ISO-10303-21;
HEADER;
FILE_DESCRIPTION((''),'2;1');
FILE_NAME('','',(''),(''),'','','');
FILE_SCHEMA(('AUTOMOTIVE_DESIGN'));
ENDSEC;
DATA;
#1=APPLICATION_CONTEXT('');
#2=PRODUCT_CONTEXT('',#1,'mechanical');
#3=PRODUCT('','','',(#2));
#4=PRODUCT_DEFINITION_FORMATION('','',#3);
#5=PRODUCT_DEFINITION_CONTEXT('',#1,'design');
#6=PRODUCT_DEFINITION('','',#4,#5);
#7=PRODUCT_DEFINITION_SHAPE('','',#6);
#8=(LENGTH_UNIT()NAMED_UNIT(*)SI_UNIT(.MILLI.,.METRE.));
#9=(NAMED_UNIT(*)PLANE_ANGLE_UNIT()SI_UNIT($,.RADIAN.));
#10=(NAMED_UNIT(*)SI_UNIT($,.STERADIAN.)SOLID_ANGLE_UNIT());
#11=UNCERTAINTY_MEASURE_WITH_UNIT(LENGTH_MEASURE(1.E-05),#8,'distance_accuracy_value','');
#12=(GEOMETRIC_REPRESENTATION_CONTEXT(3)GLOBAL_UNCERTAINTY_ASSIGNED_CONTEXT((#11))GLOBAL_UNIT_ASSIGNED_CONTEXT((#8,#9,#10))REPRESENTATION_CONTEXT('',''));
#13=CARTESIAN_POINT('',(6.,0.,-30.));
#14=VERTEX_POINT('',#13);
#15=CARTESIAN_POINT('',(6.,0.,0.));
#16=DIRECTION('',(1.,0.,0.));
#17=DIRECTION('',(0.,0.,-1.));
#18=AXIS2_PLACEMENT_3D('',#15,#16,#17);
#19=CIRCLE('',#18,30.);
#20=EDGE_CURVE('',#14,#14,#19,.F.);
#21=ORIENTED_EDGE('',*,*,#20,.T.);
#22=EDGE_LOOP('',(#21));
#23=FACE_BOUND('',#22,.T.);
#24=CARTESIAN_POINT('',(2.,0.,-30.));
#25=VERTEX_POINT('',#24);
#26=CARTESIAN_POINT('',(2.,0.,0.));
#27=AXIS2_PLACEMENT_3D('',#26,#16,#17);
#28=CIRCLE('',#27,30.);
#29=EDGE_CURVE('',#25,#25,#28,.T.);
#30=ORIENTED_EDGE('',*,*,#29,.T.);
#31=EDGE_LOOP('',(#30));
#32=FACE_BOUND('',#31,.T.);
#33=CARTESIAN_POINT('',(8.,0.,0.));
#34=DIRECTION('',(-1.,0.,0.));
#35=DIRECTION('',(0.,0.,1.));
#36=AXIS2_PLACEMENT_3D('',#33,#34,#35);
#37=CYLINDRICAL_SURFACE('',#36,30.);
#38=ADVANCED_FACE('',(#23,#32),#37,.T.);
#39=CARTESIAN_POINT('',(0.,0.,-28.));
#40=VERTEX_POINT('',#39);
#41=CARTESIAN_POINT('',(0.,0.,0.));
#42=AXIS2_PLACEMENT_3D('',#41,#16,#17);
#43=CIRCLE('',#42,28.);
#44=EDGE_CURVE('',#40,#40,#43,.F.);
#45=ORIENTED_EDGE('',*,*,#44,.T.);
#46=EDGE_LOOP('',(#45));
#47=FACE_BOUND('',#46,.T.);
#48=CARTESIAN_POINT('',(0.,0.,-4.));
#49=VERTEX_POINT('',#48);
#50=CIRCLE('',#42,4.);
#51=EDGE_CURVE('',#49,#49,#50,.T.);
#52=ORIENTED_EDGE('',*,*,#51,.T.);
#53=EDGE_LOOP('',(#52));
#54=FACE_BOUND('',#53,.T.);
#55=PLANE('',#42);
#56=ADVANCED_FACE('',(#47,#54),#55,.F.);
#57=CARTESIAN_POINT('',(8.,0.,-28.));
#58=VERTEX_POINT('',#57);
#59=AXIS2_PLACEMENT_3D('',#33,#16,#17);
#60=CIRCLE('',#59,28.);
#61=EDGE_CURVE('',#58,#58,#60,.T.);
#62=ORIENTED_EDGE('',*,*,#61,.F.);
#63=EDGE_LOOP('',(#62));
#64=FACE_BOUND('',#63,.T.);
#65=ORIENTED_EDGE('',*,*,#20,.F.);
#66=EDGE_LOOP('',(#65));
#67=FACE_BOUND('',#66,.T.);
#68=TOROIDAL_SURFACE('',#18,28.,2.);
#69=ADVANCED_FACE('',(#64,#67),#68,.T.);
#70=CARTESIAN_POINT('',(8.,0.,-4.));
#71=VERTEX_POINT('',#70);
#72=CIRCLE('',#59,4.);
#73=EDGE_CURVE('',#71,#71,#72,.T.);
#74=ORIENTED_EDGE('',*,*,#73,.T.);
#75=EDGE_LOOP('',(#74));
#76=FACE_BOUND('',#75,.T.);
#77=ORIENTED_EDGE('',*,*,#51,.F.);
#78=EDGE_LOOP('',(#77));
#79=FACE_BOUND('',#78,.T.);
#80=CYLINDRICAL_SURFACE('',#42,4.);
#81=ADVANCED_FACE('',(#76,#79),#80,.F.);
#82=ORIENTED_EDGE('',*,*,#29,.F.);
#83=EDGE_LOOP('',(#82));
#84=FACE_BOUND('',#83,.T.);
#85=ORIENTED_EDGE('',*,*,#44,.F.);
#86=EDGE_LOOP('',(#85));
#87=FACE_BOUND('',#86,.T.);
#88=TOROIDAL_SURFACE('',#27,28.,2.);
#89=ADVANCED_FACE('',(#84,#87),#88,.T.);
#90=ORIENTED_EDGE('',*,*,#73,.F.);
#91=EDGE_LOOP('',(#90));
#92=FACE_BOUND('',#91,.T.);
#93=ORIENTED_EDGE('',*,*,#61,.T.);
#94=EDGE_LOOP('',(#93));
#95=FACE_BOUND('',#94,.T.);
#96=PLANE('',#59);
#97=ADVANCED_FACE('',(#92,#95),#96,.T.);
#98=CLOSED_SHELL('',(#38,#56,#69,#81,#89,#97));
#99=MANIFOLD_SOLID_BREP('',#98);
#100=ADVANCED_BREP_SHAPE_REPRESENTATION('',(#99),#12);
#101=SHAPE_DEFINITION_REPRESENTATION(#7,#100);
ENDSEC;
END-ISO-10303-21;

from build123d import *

# Parameters (mm, degrees)
SCHIZZO1_R                   = 30
ESTRUSIONE_ESTRUSIONE1_DEPTH = 8
SCHIZZO3_R                   = 4
TAGLIO_ESTRUSIONE1_DEPTH     = 9
RACCORDO1_R                  = 2


with BuildPart() as part:
    # Schizzo1 → Estrusione-Estrusione1 (new body)
    with BuildSketch(Plane(origin=(0, 0, 0), x_dir=(0, 0, -1), z_dir=(1, 0, 0))):
        Circle(SCHIZZO1_R)
    extrude(amount=ESTRUSIONE_ESTRUSIONE1_DEPTH)

    # Schizzo3 → Taglio-Estrusione1 (cut, through all)
    with BuildSketch(Plane(origin=(8, 0, 0), x_dir=(0, 0, -1), z_dir=(1, 0, 0))):
        Circle(SCHIZZO3_R)
    extrude(amount=-TAGLIO_ESTRUSIONE1_DEPTH, mode=Mode.SUBTRACT)

    # Raccordo1
    raccordo1_edges = [part.edges().sort_by_distance(p)[0] for p in [
        (0, 0, 30),
        (8, 0, 30),
    ]]
    fillet(raccordo1_edges, radius=RACCORDO1_R)


solid = part.part
